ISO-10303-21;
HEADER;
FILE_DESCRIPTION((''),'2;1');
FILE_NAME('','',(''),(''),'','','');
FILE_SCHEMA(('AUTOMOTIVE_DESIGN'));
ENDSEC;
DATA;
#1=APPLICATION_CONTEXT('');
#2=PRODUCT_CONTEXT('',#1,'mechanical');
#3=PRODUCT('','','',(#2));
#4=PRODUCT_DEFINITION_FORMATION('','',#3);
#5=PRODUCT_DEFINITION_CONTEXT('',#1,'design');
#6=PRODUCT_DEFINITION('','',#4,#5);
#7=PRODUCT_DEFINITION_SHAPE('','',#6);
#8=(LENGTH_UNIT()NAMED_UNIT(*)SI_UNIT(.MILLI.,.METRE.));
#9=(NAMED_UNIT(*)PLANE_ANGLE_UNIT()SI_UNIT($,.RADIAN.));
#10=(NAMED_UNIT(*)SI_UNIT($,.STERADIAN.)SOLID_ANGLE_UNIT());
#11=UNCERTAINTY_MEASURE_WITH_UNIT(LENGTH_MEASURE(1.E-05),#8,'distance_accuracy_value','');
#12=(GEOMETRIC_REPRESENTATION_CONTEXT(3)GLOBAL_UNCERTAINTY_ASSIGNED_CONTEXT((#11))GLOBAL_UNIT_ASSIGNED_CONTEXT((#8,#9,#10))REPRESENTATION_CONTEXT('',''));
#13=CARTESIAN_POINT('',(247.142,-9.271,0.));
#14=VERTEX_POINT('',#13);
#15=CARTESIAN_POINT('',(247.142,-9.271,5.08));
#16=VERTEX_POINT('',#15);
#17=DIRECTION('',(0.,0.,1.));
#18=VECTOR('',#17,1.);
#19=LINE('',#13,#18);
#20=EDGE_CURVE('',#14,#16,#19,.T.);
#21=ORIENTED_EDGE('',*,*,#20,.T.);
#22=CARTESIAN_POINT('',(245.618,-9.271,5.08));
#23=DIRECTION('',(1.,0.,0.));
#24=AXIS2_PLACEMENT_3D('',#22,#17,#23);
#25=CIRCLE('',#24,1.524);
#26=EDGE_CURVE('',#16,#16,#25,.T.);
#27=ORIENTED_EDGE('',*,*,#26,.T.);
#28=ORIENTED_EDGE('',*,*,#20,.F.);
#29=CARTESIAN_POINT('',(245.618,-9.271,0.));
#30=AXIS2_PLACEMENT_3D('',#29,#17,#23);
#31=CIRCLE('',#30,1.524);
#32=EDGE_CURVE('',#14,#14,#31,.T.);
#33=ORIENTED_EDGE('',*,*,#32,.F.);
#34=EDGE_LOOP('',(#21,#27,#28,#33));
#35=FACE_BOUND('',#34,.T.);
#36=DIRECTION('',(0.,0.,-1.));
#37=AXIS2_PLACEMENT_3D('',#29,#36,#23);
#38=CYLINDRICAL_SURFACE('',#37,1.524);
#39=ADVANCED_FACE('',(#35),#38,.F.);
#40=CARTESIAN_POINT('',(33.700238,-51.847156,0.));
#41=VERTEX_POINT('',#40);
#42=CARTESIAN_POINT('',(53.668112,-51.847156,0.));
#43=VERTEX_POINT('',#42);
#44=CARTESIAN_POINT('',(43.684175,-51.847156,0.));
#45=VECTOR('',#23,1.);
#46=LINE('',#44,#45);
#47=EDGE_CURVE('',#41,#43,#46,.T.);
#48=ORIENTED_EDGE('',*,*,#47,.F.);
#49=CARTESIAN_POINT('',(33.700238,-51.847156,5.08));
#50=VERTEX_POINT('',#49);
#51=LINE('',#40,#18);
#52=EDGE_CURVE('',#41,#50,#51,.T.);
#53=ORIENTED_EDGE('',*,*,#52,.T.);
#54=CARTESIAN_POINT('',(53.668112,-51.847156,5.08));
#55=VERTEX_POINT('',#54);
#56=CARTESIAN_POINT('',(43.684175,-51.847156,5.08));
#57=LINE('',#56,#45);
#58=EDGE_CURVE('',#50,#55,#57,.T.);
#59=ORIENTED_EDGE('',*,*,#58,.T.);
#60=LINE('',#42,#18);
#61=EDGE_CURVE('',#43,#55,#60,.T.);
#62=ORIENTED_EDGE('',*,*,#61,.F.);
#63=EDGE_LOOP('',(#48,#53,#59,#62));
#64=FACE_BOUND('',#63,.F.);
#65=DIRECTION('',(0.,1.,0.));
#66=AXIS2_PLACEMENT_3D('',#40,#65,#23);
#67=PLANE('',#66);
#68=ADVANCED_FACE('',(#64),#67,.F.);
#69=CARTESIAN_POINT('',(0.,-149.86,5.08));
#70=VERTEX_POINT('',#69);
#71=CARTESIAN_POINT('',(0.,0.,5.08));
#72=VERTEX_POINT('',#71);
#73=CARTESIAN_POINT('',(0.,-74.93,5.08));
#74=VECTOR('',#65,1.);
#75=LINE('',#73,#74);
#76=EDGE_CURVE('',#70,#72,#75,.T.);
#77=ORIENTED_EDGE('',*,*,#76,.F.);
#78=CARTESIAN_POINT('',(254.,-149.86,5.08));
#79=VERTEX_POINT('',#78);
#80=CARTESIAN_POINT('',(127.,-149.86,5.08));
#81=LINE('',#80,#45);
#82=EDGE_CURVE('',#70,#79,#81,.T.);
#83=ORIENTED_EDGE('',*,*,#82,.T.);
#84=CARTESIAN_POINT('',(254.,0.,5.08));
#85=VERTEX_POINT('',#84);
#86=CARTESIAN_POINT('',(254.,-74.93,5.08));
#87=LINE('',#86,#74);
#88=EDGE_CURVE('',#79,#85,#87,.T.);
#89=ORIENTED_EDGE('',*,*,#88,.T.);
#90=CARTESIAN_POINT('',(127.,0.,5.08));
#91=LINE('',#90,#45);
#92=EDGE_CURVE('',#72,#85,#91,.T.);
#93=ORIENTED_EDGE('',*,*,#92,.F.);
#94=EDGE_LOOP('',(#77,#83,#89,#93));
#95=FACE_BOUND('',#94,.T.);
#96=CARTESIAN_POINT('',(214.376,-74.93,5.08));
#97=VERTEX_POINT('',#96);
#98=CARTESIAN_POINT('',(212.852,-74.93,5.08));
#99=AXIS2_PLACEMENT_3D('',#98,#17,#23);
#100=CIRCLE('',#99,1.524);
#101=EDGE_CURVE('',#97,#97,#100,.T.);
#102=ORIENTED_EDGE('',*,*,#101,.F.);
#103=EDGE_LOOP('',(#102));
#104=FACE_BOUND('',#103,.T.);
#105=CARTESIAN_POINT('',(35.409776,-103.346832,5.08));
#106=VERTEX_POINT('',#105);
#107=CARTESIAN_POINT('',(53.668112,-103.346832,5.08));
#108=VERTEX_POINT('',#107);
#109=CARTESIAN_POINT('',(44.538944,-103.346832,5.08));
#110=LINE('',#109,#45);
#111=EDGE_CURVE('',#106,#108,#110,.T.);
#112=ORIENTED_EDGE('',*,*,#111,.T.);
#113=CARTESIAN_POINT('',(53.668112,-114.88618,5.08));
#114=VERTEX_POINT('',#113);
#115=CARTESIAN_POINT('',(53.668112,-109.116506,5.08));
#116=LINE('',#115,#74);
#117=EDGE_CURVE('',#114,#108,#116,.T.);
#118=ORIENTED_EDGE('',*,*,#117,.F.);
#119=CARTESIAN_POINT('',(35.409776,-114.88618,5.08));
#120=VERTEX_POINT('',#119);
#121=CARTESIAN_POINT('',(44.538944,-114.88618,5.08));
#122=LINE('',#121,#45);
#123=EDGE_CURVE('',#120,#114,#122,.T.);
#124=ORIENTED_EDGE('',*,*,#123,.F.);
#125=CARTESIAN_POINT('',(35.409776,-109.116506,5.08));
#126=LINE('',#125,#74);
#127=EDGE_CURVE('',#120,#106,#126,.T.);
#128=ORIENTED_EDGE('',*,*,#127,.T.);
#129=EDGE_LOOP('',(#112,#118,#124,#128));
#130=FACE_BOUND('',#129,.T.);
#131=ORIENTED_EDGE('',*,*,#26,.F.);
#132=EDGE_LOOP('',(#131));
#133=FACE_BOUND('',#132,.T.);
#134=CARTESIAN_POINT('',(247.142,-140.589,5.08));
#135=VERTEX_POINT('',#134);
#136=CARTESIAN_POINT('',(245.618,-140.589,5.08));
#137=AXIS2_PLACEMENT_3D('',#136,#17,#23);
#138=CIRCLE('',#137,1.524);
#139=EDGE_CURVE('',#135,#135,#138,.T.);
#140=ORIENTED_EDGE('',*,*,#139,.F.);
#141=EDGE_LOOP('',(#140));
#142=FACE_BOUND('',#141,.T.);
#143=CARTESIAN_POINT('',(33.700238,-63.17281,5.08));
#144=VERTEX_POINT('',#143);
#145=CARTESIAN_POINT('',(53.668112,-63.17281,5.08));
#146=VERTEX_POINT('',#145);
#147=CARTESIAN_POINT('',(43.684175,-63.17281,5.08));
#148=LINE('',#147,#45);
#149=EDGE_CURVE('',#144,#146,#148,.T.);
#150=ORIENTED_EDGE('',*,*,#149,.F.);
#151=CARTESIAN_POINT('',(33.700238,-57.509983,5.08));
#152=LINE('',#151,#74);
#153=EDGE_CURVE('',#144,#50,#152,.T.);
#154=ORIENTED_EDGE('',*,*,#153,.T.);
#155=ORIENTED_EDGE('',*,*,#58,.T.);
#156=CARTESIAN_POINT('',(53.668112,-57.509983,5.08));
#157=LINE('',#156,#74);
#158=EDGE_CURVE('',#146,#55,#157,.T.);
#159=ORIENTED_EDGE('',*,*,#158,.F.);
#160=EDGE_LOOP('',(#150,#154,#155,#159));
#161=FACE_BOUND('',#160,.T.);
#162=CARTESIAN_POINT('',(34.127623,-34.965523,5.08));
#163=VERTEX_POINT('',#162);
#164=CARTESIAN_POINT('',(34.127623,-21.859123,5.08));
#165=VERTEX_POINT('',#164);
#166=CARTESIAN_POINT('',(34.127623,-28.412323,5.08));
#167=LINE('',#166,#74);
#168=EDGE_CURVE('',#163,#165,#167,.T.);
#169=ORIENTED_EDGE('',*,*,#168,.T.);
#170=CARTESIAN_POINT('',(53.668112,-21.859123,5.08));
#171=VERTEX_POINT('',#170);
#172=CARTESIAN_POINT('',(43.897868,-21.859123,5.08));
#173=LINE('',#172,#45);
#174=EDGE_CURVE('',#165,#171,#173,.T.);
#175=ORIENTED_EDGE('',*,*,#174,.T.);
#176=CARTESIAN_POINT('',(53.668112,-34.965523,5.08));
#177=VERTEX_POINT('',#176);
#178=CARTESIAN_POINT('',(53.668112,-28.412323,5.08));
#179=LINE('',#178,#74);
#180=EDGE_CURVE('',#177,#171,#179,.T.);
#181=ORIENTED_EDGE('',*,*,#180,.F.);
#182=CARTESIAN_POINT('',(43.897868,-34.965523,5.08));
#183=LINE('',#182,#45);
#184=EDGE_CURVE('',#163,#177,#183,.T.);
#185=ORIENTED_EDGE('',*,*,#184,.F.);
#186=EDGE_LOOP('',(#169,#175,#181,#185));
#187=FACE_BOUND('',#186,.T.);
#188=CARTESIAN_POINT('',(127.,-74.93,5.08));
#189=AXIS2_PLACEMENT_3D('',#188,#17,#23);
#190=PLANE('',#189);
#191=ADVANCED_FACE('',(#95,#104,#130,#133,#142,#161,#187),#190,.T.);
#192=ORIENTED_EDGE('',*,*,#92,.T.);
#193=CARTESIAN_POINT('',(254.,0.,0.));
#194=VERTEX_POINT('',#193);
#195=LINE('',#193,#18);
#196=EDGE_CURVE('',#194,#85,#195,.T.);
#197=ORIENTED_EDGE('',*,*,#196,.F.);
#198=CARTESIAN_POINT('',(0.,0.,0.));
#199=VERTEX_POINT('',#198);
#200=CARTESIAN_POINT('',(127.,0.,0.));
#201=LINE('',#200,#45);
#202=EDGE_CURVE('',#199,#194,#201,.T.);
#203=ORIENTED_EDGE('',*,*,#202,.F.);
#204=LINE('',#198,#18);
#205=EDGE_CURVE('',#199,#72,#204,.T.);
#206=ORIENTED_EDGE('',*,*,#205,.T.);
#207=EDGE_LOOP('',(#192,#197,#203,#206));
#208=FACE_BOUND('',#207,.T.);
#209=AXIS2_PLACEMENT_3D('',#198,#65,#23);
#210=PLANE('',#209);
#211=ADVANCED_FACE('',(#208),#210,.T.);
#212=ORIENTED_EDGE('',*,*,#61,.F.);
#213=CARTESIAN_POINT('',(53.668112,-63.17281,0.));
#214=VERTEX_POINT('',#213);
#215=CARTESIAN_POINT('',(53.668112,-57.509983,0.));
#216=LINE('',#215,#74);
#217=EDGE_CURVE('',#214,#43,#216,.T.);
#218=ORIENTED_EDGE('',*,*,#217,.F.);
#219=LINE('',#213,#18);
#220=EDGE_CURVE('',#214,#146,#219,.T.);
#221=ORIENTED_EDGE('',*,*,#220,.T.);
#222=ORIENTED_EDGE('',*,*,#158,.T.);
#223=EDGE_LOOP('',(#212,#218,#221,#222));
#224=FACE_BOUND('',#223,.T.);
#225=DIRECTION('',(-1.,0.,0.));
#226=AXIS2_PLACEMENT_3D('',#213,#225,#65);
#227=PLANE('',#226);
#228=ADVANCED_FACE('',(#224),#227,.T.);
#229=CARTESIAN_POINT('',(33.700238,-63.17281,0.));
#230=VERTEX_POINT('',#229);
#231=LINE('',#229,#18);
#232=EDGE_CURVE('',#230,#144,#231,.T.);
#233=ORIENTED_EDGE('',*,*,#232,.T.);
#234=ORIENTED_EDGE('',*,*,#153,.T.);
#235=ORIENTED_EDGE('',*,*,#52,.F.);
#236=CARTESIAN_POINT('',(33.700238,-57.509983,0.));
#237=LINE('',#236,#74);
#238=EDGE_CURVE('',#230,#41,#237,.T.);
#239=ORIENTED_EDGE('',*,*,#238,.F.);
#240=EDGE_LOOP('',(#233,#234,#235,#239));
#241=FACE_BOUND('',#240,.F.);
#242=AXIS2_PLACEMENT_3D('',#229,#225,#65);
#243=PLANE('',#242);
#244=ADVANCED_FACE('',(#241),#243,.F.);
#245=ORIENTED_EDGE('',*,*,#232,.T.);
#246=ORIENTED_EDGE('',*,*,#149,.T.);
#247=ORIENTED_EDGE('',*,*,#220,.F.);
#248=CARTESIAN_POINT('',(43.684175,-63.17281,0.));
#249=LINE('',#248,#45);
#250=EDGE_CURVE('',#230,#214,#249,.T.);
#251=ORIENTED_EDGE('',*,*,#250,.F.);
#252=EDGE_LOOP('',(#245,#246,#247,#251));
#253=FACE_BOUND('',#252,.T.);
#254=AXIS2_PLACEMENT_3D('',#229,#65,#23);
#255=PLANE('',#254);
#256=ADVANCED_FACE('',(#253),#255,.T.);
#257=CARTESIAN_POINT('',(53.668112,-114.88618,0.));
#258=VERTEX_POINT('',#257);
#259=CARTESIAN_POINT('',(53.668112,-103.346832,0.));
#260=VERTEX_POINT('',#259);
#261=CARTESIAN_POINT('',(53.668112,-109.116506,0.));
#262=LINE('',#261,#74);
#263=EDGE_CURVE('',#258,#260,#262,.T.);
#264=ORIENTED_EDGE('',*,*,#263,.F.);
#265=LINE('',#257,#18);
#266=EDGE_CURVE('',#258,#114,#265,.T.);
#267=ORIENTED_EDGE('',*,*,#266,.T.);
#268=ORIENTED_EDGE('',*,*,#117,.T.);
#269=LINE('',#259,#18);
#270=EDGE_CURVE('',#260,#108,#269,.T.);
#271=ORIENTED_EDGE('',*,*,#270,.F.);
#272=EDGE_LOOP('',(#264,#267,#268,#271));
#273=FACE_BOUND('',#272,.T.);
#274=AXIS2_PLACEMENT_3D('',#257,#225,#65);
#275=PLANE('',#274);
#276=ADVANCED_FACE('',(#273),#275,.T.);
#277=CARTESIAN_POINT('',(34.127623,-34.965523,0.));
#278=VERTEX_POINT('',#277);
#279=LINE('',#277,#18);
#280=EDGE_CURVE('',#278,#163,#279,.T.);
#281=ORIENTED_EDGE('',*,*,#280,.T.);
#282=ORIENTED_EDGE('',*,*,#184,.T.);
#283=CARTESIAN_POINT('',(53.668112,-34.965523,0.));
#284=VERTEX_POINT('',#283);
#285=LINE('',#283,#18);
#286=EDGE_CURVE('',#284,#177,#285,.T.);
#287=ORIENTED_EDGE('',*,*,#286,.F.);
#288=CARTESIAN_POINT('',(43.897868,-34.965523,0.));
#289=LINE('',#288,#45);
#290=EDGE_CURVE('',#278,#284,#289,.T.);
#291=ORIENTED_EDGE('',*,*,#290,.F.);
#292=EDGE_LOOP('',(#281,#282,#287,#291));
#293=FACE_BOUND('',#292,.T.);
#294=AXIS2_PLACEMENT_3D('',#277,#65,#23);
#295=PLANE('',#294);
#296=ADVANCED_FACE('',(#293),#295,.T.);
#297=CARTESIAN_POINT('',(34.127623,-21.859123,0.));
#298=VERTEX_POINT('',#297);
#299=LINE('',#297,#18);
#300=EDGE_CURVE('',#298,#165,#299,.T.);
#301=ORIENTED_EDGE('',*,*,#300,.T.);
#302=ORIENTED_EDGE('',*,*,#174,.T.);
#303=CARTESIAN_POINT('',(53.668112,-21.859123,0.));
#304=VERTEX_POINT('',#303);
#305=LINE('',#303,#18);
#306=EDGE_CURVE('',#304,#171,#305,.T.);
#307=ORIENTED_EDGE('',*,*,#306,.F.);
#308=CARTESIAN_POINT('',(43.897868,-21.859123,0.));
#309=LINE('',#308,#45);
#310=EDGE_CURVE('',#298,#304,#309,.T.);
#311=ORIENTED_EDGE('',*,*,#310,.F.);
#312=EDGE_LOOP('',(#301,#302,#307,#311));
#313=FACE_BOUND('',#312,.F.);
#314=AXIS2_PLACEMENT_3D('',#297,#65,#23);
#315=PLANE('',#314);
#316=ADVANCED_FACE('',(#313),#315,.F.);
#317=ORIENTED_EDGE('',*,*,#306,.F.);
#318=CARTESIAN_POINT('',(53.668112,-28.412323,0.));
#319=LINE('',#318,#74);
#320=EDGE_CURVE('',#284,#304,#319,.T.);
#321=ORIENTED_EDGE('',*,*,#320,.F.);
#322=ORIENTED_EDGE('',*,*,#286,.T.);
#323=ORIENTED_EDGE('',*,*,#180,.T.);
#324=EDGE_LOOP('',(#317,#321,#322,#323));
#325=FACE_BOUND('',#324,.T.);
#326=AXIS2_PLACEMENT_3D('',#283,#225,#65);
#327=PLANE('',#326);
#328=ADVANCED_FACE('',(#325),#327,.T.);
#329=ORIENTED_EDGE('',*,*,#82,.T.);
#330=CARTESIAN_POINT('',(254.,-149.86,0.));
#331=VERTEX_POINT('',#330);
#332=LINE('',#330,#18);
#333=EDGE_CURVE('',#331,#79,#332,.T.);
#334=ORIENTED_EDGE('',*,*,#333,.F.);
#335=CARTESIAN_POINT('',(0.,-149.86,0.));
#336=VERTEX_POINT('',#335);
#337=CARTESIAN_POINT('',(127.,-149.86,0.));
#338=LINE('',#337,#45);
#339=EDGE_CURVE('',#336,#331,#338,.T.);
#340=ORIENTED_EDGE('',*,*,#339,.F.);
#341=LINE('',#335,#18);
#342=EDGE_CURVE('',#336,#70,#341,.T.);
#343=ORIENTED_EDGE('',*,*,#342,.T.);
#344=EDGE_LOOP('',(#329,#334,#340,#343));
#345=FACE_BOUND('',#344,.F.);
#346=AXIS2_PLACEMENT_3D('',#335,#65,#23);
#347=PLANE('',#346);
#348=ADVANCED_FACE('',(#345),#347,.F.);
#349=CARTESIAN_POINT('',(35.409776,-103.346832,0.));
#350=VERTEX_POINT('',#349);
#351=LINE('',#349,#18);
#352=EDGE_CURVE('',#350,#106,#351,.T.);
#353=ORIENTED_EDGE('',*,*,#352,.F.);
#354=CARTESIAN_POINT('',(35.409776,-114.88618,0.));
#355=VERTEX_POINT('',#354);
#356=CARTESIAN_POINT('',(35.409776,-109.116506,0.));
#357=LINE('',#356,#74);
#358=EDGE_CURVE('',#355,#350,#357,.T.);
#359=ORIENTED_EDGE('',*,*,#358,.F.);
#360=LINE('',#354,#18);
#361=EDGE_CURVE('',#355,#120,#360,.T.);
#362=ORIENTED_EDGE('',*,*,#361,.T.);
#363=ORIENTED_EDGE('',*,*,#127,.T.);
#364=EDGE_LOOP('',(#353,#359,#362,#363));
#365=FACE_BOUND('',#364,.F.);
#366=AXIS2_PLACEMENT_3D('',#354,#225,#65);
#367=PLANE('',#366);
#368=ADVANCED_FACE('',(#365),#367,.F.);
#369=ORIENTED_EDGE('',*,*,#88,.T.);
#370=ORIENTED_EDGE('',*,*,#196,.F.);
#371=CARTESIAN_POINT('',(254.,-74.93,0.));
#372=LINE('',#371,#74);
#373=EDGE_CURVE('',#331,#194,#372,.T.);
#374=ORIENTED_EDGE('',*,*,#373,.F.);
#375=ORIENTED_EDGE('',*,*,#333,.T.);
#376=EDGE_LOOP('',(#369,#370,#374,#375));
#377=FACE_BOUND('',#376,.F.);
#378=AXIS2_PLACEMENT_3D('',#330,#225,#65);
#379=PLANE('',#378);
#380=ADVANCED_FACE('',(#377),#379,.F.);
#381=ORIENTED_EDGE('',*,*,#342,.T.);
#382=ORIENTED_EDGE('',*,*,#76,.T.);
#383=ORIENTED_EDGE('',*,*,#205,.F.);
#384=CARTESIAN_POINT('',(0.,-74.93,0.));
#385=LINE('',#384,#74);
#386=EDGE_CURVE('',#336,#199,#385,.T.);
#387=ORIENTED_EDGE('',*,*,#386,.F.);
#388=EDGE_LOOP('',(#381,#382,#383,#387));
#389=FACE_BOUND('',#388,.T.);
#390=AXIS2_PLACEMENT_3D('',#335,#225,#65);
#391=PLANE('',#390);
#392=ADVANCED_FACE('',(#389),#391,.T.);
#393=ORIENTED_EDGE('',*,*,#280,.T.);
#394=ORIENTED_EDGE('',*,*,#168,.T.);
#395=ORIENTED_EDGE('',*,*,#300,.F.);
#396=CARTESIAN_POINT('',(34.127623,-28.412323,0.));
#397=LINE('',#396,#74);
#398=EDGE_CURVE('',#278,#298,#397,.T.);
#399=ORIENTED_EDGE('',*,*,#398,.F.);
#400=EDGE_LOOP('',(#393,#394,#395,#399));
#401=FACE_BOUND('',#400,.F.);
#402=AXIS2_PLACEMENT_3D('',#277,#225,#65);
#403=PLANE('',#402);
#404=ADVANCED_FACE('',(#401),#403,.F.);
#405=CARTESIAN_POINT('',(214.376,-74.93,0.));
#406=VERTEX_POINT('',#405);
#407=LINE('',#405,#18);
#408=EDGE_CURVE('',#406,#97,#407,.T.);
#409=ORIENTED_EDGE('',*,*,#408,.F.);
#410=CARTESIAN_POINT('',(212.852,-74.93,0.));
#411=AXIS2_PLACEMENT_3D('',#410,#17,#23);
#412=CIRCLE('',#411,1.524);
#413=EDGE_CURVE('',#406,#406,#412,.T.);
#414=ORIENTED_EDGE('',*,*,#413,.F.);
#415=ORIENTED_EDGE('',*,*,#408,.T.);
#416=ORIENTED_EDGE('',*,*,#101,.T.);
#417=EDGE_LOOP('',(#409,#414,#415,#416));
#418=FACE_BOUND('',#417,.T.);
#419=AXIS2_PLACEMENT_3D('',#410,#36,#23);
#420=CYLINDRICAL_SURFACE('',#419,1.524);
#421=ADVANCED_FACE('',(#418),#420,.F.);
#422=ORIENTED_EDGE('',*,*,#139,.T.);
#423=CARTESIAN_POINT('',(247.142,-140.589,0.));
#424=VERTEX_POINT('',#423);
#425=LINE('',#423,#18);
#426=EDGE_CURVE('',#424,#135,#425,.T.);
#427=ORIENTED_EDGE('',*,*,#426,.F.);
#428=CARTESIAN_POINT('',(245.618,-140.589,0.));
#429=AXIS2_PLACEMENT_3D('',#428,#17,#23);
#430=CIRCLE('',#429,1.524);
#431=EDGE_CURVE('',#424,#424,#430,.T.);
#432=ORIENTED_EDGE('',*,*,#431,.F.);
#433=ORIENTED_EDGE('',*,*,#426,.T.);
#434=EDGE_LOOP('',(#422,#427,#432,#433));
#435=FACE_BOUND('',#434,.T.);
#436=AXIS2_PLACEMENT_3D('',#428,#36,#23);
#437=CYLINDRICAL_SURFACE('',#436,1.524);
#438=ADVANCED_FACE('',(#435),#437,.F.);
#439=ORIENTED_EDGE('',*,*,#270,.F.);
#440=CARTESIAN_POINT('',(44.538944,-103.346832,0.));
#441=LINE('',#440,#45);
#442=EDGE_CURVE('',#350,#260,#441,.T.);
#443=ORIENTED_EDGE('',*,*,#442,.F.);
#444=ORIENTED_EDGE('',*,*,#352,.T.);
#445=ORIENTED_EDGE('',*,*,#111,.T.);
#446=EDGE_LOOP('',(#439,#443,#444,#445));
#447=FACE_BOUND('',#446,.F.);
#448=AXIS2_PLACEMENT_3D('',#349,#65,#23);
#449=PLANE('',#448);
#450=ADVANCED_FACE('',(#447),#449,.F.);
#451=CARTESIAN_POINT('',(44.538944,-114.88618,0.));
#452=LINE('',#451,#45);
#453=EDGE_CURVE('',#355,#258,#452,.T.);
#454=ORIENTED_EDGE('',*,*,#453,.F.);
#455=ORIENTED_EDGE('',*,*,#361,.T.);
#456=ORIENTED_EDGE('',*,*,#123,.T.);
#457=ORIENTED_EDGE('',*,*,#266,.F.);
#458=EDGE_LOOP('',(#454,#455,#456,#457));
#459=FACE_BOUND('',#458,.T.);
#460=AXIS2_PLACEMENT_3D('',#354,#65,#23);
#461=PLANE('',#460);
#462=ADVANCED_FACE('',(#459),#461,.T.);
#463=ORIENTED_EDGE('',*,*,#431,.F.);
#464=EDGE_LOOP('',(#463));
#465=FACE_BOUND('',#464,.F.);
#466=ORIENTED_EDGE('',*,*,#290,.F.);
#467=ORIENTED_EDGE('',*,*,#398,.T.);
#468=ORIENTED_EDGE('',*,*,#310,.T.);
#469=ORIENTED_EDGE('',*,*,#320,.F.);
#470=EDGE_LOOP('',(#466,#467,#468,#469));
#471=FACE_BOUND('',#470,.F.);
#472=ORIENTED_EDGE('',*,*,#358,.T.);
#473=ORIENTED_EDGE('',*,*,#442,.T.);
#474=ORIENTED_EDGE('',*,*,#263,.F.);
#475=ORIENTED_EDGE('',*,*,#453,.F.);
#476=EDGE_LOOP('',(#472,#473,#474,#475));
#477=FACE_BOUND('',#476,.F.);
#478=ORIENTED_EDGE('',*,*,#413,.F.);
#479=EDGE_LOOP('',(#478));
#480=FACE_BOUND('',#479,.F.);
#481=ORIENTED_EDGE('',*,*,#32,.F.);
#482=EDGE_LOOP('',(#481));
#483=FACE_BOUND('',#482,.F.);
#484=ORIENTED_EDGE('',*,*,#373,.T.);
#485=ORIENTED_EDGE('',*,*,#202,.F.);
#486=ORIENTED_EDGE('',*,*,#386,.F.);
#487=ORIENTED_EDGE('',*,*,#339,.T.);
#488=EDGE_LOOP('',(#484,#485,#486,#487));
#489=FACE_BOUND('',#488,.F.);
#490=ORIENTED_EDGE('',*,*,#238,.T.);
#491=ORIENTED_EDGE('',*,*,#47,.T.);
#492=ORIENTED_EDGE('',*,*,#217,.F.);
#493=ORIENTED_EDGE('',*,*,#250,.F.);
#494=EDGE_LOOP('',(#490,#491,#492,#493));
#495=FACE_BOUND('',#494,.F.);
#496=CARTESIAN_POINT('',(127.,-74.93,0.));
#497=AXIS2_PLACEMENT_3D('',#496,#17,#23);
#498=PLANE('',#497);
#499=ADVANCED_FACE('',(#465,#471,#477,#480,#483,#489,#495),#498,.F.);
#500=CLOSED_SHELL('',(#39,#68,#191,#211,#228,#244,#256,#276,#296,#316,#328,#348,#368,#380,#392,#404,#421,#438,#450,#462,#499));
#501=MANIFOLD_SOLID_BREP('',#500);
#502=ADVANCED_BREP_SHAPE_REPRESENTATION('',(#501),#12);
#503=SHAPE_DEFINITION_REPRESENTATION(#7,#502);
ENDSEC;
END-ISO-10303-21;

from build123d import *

# Parameters (mm, degrees)
F0_W     = 254
F0_H     = 149.86
F0_W_2   = 18.258337
F0_H_2   = 11.539348
F0_R     = 1.524
F0_W_3   = 19.967873
F0_H_3   = 11.325654
F0_W_4   = 19.540489
F0_H_4   = 13.1064
F1_DEPTH = 5.08


with BuildPart() as f1:
    # F0 (on Top) → F1 (new body)
    with BuildSketch(Plane.XY):
        with Locations((127, -74.93)):
            Rectangle(F0_W, F0_H)
        with Locations((44.538944, -109.116506)):
            Rectangle(F0_W_2, F0_H_2, mode=Mode.SUBTRACT)
        with Locations((245.618, -140.589)):
            Circle(F0_R, mode=Mode.SUBTRACT)
        with Locations((43.684175, -57.509983)):
            Rectangle(F0_W_3, F0_H_3, mode=Mode.SUBTRACT)
        with Locations((43.897868, -28.412323)):
            Rectangle(F0_W_4, F0_H_4, mode=Mode.SUBTRACT)
        with Locations((212.852, -74.93)):
            Circle(F0_R, mode=Mode.SUBTRACT)
        with Locations((245.618, -9.271)):
            Circle(F0_R, mode=Mode.SUBTRACT)
    extrude(amount=F1_DEPTH)


solid = f1.part
